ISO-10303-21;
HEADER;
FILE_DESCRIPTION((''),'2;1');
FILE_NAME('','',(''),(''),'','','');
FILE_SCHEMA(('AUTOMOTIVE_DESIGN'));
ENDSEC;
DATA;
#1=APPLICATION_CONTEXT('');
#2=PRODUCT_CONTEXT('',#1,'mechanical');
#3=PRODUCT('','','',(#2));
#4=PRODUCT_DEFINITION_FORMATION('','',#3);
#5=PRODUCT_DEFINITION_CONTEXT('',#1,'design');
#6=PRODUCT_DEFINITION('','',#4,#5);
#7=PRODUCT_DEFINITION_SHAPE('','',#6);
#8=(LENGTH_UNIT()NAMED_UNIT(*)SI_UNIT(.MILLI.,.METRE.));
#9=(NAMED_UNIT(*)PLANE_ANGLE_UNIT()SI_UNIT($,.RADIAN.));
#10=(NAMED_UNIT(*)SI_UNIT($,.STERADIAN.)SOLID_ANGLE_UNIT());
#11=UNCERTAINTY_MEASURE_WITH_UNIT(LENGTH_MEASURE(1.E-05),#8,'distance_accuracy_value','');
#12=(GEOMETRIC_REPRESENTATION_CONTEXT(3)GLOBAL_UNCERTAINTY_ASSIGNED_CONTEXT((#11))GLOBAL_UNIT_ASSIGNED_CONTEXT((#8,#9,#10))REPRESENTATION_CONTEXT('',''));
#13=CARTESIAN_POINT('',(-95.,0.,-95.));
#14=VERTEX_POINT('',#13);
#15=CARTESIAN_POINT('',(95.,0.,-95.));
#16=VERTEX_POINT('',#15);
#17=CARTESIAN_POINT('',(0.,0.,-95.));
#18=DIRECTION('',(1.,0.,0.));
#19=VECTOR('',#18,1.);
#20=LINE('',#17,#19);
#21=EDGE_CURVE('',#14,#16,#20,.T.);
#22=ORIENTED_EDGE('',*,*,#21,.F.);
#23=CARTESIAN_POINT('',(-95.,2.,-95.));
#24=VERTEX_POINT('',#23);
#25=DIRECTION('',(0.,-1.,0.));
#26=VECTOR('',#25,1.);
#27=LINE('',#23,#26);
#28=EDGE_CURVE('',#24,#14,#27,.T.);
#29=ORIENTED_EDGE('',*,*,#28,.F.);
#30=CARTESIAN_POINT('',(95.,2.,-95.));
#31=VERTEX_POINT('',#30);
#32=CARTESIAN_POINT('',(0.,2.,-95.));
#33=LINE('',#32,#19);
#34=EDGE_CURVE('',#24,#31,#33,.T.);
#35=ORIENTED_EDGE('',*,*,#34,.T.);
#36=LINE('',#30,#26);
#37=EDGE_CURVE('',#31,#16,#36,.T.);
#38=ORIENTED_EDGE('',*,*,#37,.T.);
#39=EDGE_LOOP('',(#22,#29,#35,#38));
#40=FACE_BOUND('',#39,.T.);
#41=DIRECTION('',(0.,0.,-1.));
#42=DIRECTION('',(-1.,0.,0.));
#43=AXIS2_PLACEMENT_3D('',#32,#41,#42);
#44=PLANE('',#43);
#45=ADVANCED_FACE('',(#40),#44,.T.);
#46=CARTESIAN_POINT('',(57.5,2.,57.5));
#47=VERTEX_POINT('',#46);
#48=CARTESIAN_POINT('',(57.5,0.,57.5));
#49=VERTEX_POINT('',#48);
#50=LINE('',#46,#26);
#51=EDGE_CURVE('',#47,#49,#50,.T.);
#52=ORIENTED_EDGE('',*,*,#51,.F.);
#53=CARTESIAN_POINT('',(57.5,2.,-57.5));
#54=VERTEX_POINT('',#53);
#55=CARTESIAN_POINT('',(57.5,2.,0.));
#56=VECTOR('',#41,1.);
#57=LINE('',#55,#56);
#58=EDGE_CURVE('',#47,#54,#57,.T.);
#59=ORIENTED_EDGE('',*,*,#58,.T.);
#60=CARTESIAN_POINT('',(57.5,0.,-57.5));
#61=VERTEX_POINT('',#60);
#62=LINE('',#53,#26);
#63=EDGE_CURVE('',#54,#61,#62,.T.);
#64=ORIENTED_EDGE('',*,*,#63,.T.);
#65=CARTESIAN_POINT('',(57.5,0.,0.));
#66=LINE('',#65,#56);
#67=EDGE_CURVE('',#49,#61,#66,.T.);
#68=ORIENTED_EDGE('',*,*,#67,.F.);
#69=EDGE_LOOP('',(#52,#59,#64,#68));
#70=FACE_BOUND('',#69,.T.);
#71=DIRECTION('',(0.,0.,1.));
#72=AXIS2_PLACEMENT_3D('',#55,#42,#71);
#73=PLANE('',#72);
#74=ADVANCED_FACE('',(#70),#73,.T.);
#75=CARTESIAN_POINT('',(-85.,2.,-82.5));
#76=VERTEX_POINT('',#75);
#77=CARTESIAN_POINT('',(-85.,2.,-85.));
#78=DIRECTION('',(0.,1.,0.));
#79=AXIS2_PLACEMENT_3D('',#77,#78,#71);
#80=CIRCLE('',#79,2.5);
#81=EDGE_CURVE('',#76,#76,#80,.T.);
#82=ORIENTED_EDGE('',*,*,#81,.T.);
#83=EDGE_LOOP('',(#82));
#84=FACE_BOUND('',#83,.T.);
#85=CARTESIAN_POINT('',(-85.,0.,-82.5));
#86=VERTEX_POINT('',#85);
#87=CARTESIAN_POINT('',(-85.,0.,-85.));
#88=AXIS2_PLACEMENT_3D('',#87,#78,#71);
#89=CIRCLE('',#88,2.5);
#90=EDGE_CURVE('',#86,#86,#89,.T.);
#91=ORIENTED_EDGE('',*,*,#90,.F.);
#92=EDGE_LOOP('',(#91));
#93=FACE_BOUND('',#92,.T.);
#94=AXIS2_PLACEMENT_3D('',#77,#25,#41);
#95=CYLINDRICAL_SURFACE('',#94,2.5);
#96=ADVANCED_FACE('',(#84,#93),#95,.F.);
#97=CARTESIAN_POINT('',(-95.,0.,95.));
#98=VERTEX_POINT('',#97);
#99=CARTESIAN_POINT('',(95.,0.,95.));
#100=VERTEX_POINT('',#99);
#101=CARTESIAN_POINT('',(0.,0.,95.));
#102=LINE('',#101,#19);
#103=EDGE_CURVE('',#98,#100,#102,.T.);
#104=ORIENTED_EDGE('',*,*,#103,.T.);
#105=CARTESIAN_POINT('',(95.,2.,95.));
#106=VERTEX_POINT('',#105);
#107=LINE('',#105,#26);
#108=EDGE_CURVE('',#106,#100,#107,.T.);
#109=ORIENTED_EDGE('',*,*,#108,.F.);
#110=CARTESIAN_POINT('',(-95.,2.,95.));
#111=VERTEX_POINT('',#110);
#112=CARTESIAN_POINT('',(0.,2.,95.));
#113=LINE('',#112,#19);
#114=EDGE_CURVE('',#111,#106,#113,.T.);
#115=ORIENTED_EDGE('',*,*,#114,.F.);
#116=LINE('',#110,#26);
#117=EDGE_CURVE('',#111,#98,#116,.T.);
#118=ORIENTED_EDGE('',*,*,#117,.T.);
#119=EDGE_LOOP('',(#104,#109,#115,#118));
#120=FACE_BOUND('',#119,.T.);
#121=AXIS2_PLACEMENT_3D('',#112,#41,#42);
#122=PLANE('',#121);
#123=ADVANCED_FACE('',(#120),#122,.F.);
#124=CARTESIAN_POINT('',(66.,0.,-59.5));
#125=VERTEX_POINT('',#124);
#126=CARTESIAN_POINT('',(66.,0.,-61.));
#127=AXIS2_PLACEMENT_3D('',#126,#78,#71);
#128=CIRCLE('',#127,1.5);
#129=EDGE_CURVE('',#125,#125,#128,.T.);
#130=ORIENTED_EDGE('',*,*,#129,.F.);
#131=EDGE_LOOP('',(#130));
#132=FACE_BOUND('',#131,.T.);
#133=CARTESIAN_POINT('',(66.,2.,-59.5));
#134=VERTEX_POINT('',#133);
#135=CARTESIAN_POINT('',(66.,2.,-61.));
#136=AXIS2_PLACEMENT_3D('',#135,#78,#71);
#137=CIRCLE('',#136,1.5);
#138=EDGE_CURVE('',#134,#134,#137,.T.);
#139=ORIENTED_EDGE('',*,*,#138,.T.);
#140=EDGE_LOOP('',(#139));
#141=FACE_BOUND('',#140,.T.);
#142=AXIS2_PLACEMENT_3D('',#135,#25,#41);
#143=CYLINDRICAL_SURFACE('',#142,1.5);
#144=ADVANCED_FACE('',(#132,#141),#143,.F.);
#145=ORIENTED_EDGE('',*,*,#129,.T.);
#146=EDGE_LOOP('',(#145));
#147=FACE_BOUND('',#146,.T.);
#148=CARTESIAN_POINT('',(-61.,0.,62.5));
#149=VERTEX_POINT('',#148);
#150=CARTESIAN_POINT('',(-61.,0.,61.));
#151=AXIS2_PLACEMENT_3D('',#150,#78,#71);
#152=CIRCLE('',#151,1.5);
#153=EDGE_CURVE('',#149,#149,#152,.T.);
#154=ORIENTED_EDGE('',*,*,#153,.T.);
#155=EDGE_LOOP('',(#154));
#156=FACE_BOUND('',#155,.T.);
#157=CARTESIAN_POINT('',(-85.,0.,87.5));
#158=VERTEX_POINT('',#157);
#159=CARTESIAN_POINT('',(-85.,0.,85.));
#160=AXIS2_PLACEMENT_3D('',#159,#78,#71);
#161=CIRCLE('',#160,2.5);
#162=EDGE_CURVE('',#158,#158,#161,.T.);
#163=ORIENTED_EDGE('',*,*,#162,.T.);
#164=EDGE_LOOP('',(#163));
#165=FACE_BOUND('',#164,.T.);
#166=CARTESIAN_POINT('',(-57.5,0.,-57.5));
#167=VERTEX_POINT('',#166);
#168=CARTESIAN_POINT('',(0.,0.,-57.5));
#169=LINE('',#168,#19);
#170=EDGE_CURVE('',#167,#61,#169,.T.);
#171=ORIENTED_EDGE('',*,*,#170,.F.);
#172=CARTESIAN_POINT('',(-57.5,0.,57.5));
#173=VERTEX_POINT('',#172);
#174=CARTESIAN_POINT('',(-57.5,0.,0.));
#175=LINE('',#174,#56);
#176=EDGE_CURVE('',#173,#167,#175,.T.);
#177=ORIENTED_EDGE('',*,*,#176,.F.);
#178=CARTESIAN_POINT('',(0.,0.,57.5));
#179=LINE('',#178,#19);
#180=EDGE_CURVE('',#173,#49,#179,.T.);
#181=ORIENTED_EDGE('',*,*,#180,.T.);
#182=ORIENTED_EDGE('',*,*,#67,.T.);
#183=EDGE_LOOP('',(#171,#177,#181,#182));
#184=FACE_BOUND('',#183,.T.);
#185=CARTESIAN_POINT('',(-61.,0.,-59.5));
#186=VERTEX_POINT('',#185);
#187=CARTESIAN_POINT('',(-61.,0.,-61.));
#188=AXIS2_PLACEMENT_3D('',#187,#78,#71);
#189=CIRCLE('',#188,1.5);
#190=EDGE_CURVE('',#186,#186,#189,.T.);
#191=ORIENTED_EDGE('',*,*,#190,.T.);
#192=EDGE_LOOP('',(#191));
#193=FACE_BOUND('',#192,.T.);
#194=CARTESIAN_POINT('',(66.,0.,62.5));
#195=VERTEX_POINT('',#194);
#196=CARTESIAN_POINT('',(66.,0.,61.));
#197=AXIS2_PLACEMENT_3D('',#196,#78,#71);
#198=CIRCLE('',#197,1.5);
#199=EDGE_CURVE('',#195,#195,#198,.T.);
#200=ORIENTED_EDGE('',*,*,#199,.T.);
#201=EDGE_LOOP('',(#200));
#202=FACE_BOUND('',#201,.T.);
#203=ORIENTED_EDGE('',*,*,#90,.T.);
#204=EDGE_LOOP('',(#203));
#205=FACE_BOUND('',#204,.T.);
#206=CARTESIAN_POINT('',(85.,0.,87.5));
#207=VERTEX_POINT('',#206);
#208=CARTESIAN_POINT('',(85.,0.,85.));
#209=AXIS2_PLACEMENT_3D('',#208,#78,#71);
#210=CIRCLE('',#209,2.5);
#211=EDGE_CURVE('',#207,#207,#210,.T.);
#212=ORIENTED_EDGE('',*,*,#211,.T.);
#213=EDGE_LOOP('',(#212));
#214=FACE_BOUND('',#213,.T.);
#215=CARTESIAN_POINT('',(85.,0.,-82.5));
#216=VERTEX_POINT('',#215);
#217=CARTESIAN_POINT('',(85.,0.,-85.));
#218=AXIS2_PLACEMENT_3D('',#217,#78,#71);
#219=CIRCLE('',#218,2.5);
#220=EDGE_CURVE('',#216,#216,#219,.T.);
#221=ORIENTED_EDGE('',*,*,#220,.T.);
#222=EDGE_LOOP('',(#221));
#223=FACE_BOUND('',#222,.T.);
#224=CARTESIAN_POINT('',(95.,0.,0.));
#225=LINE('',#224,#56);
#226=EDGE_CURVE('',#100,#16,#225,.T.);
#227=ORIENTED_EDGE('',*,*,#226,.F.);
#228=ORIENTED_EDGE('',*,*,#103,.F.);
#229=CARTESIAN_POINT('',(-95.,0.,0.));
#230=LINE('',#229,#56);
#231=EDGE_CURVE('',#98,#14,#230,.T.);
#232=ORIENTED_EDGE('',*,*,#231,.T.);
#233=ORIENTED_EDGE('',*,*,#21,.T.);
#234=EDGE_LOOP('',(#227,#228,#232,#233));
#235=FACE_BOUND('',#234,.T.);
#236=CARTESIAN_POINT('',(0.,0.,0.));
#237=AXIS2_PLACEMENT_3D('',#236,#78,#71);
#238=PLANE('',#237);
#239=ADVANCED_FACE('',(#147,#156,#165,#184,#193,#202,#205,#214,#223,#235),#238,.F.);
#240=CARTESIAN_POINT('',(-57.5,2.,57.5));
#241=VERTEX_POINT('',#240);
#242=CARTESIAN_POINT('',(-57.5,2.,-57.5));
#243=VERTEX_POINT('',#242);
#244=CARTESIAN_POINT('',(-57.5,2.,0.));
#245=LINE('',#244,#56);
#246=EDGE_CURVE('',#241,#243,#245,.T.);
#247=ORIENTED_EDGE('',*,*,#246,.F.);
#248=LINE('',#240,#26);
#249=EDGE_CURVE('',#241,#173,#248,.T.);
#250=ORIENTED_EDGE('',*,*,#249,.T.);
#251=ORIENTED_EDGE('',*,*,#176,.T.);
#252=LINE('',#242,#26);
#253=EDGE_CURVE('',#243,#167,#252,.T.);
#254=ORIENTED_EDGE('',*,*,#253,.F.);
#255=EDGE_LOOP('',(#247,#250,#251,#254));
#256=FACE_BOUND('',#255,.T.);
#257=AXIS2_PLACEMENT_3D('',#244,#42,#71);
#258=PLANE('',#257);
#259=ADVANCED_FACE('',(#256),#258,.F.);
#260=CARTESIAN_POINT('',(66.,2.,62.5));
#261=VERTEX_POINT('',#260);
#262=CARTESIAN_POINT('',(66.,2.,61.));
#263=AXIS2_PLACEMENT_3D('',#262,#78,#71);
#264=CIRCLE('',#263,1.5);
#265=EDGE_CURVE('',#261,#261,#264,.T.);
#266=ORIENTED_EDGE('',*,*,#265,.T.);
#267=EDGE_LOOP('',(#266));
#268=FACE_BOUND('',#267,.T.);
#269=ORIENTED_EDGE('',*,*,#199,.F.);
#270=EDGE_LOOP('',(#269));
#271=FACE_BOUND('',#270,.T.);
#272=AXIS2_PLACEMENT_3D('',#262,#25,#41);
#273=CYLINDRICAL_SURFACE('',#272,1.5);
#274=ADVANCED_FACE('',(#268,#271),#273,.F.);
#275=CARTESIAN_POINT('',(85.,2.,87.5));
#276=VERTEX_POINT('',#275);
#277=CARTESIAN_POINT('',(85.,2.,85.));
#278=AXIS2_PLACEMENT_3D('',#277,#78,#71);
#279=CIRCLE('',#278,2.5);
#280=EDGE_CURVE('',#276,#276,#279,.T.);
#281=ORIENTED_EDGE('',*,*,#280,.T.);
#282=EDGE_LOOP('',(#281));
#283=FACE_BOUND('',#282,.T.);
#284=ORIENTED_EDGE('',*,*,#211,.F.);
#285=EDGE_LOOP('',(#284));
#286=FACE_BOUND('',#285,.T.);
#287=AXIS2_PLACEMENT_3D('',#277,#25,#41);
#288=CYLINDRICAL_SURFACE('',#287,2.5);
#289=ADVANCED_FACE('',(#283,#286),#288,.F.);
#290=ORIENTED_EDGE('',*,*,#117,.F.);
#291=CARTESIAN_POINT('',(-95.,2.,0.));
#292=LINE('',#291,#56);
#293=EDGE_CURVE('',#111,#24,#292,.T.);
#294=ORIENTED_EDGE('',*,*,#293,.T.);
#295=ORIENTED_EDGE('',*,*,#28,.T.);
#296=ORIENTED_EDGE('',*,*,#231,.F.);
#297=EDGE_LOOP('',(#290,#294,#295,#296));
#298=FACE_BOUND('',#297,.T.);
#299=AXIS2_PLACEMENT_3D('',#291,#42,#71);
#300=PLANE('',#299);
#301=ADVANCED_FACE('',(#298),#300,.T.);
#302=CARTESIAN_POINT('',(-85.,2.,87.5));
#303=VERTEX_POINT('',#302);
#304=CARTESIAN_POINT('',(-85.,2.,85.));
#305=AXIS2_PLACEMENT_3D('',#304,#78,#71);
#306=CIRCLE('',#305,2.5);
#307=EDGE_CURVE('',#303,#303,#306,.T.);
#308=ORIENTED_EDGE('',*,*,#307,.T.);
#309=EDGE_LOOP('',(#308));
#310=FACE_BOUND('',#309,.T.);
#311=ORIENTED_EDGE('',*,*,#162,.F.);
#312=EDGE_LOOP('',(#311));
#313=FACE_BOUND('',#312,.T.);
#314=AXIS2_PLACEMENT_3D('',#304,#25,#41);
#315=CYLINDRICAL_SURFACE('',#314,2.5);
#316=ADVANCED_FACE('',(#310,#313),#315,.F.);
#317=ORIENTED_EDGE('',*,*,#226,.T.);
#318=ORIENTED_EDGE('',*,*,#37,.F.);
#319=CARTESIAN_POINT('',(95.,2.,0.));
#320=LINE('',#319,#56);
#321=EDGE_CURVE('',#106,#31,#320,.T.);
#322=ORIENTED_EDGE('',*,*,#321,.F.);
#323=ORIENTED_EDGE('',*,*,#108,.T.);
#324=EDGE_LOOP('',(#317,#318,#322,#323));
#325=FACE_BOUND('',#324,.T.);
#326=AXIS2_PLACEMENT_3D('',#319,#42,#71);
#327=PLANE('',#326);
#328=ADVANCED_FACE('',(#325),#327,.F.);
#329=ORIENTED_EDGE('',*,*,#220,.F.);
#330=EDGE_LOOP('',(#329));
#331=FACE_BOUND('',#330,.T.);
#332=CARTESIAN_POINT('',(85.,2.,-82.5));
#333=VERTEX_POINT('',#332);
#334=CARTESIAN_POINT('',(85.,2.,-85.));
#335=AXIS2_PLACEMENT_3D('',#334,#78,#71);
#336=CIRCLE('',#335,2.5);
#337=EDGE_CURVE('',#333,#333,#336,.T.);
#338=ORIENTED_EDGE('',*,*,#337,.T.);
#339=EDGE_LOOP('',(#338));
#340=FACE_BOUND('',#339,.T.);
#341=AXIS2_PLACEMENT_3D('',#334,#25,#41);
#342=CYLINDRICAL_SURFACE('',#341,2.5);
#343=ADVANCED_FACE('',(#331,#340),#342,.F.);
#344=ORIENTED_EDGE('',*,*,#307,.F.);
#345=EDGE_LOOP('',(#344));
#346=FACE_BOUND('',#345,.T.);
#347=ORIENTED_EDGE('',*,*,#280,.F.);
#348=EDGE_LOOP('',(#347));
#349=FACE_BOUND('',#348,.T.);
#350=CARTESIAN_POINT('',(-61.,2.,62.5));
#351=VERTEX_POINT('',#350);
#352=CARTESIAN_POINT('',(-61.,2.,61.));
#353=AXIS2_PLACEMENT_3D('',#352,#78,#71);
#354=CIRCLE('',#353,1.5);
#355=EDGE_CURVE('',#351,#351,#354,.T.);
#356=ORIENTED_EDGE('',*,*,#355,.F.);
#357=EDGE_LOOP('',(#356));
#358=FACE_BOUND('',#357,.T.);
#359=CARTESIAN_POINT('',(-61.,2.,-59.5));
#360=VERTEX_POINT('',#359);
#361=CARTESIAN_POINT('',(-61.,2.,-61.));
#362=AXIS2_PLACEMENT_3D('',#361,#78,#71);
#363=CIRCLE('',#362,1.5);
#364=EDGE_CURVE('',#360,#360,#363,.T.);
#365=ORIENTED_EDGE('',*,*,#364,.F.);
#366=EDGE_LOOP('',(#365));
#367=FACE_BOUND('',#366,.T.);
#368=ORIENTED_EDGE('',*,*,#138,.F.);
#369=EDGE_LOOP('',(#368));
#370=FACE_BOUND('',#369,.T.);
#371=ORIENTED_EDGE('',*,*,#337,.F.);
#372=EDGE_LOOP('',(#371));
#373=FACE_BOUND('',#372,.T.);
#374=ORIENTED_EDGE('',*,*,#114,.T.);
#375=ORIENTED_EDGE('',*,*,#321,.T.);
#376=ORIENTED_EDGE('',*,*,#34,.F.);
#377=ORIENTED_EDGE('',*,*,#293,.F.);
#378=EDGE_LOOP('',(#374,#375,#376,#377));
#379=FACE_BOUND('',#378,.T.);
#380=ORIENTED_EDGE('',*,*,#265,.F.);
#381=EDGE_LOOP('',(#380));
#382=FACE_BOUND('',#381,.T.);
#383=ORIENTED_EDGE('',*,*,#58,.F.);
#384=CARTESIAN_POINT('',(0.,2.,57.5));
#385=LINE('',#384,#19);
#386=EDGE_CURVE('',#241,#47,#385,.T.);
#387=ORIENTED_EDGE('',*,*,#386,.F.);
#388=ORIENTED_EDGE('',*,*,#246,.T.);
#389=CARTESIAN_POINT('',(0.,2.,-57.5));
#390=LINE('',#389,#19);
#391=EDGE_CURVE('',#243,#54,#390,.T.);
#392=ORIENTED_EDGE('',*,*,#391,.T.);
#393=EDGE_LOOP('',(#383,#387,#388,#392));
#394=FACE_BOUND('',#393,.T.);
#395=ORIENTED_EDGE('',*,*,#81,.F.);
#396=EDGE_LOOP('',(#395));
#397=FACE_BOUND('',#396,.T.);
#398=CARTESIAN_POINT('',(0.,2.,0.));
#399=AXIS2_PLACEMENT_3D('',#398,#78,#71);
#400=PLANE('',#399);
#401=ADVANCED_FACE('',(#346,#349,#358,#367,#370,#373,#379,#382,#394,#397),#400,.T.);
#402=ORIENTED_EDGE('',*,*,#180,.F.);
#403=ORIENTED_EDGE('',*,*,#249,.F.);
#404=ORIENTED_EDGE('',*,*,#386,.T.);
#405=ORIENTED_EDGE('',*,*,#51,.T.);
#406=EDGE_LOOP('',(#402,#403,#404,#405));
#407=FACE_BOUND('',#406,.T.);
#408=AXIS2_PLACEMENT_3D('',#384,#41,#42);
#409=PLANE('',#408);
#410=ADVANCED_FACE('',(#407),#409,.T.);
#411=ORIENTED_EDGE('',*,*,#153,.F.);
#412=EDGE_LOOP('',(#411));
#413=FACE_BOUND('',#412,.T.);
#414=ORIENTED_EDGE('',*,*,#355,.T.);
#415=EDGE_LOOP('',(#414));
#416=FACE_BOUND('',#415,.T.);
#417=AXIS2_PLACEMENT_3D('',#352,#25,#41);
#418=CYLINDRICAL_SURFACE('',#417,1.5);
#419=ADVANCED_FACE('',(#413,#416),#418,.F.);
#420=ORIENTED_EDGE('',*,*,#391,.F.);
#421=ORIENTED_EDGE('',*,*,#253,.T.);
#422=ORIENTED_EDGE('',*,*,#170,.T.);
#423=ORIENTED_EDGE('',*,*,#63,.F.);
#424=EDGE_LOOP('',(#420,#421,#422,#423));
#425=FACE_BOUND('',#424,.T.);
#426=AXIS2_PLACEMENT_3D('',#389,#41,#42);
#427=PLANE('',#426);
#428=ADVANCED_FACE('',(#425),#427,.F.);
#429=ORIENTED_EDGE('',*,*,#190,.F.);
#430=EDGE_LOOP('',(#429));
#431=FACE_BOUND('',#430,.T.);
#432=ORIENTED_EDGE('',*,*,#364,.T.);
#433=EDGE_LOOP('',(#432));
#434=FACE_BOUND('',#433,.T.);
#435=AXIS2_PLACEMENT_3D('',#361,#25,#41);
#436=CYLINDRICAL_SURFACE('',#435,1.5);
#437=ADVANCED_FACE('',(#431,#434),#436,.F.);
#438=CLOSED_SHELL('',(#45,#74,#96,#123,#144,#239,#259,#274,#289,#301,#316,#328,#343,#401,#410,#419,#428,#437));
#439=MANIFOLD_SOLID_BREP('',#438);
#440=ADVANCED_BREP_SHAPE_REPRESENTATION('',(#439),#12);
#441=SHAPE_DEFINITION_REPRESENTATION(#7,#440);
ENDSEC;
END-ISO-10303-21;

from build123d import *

# Parameters (mm, degrees)
CROQUIS1_W              = 190
CROQUIS1_H              = 190
CROQUIS1_R              = 2.5
CROQUIS1_R_2            = 1.5
CROQUIS1_W_2            = 115
CROQUIS1_H_2            = 115
SALIENTE_EXTRUIR1_DEPTH = 2


with BuildPart() as part:
    # Croquis1 → Saliente-Extruir1 (new body)
    with BuildSketch(Plane(origin=(0, 0, 0), x_dir=(1, 0, 0), z_dir=(0, 1, 0))):
        Rectangle(CROQUIS1_W, CROQUIS1_H)
        with Locations(Location((-85, 85, 0), (0, 0, 270))):
            Circle(CROQUIS1_R, mode=Mode.SUBTRACT)
        with Locations(Location((85, 85, 0), (0, 0, 270))):
            Circle(CROQUIS1_R, mode=Mode.SUBTRACT)
        with Locations(Location((85, -85, 0), (0, 0, 270))):
            Circle(CROQUIS1_R, mode=Mode.SUBTRACT)
        with Locations(Location((-85, -85, 0), (0, 0, 270))):
            Circle(CROQUIS1_R, mode=Mode.SUBTRACT)
        with Locations(Location((-61, 61, 0), (0, 0, 270))):
            Circle(CROQUIS1_R_2, mode=Mode.SUBTRACT)
        with Locations(Location((66, 61, 0), (0, 0, 270))):
            Circle(CROQUIS1_R_2, mode=Mode.SUBTRACT)
        with Locations(Location((66, -61, 0), (0, 0, 270))):
            Circle(CROQUIS1_R_2, mode=Mode.SUBTRACT)
        with Locations(Location((-61, -61, 0), (0, 0, 270))):
            Circle(CROQUIS1_R_2, mode=Mode.SUBTRACT)
        Rectangle(CROQUIS1_W_2, CROQUIS1_H_2, mode=Mode.SUBTRACT)
    extrude(amount=SALIENTE_EXTRUIR1_DEPTH)


solid = part.part
